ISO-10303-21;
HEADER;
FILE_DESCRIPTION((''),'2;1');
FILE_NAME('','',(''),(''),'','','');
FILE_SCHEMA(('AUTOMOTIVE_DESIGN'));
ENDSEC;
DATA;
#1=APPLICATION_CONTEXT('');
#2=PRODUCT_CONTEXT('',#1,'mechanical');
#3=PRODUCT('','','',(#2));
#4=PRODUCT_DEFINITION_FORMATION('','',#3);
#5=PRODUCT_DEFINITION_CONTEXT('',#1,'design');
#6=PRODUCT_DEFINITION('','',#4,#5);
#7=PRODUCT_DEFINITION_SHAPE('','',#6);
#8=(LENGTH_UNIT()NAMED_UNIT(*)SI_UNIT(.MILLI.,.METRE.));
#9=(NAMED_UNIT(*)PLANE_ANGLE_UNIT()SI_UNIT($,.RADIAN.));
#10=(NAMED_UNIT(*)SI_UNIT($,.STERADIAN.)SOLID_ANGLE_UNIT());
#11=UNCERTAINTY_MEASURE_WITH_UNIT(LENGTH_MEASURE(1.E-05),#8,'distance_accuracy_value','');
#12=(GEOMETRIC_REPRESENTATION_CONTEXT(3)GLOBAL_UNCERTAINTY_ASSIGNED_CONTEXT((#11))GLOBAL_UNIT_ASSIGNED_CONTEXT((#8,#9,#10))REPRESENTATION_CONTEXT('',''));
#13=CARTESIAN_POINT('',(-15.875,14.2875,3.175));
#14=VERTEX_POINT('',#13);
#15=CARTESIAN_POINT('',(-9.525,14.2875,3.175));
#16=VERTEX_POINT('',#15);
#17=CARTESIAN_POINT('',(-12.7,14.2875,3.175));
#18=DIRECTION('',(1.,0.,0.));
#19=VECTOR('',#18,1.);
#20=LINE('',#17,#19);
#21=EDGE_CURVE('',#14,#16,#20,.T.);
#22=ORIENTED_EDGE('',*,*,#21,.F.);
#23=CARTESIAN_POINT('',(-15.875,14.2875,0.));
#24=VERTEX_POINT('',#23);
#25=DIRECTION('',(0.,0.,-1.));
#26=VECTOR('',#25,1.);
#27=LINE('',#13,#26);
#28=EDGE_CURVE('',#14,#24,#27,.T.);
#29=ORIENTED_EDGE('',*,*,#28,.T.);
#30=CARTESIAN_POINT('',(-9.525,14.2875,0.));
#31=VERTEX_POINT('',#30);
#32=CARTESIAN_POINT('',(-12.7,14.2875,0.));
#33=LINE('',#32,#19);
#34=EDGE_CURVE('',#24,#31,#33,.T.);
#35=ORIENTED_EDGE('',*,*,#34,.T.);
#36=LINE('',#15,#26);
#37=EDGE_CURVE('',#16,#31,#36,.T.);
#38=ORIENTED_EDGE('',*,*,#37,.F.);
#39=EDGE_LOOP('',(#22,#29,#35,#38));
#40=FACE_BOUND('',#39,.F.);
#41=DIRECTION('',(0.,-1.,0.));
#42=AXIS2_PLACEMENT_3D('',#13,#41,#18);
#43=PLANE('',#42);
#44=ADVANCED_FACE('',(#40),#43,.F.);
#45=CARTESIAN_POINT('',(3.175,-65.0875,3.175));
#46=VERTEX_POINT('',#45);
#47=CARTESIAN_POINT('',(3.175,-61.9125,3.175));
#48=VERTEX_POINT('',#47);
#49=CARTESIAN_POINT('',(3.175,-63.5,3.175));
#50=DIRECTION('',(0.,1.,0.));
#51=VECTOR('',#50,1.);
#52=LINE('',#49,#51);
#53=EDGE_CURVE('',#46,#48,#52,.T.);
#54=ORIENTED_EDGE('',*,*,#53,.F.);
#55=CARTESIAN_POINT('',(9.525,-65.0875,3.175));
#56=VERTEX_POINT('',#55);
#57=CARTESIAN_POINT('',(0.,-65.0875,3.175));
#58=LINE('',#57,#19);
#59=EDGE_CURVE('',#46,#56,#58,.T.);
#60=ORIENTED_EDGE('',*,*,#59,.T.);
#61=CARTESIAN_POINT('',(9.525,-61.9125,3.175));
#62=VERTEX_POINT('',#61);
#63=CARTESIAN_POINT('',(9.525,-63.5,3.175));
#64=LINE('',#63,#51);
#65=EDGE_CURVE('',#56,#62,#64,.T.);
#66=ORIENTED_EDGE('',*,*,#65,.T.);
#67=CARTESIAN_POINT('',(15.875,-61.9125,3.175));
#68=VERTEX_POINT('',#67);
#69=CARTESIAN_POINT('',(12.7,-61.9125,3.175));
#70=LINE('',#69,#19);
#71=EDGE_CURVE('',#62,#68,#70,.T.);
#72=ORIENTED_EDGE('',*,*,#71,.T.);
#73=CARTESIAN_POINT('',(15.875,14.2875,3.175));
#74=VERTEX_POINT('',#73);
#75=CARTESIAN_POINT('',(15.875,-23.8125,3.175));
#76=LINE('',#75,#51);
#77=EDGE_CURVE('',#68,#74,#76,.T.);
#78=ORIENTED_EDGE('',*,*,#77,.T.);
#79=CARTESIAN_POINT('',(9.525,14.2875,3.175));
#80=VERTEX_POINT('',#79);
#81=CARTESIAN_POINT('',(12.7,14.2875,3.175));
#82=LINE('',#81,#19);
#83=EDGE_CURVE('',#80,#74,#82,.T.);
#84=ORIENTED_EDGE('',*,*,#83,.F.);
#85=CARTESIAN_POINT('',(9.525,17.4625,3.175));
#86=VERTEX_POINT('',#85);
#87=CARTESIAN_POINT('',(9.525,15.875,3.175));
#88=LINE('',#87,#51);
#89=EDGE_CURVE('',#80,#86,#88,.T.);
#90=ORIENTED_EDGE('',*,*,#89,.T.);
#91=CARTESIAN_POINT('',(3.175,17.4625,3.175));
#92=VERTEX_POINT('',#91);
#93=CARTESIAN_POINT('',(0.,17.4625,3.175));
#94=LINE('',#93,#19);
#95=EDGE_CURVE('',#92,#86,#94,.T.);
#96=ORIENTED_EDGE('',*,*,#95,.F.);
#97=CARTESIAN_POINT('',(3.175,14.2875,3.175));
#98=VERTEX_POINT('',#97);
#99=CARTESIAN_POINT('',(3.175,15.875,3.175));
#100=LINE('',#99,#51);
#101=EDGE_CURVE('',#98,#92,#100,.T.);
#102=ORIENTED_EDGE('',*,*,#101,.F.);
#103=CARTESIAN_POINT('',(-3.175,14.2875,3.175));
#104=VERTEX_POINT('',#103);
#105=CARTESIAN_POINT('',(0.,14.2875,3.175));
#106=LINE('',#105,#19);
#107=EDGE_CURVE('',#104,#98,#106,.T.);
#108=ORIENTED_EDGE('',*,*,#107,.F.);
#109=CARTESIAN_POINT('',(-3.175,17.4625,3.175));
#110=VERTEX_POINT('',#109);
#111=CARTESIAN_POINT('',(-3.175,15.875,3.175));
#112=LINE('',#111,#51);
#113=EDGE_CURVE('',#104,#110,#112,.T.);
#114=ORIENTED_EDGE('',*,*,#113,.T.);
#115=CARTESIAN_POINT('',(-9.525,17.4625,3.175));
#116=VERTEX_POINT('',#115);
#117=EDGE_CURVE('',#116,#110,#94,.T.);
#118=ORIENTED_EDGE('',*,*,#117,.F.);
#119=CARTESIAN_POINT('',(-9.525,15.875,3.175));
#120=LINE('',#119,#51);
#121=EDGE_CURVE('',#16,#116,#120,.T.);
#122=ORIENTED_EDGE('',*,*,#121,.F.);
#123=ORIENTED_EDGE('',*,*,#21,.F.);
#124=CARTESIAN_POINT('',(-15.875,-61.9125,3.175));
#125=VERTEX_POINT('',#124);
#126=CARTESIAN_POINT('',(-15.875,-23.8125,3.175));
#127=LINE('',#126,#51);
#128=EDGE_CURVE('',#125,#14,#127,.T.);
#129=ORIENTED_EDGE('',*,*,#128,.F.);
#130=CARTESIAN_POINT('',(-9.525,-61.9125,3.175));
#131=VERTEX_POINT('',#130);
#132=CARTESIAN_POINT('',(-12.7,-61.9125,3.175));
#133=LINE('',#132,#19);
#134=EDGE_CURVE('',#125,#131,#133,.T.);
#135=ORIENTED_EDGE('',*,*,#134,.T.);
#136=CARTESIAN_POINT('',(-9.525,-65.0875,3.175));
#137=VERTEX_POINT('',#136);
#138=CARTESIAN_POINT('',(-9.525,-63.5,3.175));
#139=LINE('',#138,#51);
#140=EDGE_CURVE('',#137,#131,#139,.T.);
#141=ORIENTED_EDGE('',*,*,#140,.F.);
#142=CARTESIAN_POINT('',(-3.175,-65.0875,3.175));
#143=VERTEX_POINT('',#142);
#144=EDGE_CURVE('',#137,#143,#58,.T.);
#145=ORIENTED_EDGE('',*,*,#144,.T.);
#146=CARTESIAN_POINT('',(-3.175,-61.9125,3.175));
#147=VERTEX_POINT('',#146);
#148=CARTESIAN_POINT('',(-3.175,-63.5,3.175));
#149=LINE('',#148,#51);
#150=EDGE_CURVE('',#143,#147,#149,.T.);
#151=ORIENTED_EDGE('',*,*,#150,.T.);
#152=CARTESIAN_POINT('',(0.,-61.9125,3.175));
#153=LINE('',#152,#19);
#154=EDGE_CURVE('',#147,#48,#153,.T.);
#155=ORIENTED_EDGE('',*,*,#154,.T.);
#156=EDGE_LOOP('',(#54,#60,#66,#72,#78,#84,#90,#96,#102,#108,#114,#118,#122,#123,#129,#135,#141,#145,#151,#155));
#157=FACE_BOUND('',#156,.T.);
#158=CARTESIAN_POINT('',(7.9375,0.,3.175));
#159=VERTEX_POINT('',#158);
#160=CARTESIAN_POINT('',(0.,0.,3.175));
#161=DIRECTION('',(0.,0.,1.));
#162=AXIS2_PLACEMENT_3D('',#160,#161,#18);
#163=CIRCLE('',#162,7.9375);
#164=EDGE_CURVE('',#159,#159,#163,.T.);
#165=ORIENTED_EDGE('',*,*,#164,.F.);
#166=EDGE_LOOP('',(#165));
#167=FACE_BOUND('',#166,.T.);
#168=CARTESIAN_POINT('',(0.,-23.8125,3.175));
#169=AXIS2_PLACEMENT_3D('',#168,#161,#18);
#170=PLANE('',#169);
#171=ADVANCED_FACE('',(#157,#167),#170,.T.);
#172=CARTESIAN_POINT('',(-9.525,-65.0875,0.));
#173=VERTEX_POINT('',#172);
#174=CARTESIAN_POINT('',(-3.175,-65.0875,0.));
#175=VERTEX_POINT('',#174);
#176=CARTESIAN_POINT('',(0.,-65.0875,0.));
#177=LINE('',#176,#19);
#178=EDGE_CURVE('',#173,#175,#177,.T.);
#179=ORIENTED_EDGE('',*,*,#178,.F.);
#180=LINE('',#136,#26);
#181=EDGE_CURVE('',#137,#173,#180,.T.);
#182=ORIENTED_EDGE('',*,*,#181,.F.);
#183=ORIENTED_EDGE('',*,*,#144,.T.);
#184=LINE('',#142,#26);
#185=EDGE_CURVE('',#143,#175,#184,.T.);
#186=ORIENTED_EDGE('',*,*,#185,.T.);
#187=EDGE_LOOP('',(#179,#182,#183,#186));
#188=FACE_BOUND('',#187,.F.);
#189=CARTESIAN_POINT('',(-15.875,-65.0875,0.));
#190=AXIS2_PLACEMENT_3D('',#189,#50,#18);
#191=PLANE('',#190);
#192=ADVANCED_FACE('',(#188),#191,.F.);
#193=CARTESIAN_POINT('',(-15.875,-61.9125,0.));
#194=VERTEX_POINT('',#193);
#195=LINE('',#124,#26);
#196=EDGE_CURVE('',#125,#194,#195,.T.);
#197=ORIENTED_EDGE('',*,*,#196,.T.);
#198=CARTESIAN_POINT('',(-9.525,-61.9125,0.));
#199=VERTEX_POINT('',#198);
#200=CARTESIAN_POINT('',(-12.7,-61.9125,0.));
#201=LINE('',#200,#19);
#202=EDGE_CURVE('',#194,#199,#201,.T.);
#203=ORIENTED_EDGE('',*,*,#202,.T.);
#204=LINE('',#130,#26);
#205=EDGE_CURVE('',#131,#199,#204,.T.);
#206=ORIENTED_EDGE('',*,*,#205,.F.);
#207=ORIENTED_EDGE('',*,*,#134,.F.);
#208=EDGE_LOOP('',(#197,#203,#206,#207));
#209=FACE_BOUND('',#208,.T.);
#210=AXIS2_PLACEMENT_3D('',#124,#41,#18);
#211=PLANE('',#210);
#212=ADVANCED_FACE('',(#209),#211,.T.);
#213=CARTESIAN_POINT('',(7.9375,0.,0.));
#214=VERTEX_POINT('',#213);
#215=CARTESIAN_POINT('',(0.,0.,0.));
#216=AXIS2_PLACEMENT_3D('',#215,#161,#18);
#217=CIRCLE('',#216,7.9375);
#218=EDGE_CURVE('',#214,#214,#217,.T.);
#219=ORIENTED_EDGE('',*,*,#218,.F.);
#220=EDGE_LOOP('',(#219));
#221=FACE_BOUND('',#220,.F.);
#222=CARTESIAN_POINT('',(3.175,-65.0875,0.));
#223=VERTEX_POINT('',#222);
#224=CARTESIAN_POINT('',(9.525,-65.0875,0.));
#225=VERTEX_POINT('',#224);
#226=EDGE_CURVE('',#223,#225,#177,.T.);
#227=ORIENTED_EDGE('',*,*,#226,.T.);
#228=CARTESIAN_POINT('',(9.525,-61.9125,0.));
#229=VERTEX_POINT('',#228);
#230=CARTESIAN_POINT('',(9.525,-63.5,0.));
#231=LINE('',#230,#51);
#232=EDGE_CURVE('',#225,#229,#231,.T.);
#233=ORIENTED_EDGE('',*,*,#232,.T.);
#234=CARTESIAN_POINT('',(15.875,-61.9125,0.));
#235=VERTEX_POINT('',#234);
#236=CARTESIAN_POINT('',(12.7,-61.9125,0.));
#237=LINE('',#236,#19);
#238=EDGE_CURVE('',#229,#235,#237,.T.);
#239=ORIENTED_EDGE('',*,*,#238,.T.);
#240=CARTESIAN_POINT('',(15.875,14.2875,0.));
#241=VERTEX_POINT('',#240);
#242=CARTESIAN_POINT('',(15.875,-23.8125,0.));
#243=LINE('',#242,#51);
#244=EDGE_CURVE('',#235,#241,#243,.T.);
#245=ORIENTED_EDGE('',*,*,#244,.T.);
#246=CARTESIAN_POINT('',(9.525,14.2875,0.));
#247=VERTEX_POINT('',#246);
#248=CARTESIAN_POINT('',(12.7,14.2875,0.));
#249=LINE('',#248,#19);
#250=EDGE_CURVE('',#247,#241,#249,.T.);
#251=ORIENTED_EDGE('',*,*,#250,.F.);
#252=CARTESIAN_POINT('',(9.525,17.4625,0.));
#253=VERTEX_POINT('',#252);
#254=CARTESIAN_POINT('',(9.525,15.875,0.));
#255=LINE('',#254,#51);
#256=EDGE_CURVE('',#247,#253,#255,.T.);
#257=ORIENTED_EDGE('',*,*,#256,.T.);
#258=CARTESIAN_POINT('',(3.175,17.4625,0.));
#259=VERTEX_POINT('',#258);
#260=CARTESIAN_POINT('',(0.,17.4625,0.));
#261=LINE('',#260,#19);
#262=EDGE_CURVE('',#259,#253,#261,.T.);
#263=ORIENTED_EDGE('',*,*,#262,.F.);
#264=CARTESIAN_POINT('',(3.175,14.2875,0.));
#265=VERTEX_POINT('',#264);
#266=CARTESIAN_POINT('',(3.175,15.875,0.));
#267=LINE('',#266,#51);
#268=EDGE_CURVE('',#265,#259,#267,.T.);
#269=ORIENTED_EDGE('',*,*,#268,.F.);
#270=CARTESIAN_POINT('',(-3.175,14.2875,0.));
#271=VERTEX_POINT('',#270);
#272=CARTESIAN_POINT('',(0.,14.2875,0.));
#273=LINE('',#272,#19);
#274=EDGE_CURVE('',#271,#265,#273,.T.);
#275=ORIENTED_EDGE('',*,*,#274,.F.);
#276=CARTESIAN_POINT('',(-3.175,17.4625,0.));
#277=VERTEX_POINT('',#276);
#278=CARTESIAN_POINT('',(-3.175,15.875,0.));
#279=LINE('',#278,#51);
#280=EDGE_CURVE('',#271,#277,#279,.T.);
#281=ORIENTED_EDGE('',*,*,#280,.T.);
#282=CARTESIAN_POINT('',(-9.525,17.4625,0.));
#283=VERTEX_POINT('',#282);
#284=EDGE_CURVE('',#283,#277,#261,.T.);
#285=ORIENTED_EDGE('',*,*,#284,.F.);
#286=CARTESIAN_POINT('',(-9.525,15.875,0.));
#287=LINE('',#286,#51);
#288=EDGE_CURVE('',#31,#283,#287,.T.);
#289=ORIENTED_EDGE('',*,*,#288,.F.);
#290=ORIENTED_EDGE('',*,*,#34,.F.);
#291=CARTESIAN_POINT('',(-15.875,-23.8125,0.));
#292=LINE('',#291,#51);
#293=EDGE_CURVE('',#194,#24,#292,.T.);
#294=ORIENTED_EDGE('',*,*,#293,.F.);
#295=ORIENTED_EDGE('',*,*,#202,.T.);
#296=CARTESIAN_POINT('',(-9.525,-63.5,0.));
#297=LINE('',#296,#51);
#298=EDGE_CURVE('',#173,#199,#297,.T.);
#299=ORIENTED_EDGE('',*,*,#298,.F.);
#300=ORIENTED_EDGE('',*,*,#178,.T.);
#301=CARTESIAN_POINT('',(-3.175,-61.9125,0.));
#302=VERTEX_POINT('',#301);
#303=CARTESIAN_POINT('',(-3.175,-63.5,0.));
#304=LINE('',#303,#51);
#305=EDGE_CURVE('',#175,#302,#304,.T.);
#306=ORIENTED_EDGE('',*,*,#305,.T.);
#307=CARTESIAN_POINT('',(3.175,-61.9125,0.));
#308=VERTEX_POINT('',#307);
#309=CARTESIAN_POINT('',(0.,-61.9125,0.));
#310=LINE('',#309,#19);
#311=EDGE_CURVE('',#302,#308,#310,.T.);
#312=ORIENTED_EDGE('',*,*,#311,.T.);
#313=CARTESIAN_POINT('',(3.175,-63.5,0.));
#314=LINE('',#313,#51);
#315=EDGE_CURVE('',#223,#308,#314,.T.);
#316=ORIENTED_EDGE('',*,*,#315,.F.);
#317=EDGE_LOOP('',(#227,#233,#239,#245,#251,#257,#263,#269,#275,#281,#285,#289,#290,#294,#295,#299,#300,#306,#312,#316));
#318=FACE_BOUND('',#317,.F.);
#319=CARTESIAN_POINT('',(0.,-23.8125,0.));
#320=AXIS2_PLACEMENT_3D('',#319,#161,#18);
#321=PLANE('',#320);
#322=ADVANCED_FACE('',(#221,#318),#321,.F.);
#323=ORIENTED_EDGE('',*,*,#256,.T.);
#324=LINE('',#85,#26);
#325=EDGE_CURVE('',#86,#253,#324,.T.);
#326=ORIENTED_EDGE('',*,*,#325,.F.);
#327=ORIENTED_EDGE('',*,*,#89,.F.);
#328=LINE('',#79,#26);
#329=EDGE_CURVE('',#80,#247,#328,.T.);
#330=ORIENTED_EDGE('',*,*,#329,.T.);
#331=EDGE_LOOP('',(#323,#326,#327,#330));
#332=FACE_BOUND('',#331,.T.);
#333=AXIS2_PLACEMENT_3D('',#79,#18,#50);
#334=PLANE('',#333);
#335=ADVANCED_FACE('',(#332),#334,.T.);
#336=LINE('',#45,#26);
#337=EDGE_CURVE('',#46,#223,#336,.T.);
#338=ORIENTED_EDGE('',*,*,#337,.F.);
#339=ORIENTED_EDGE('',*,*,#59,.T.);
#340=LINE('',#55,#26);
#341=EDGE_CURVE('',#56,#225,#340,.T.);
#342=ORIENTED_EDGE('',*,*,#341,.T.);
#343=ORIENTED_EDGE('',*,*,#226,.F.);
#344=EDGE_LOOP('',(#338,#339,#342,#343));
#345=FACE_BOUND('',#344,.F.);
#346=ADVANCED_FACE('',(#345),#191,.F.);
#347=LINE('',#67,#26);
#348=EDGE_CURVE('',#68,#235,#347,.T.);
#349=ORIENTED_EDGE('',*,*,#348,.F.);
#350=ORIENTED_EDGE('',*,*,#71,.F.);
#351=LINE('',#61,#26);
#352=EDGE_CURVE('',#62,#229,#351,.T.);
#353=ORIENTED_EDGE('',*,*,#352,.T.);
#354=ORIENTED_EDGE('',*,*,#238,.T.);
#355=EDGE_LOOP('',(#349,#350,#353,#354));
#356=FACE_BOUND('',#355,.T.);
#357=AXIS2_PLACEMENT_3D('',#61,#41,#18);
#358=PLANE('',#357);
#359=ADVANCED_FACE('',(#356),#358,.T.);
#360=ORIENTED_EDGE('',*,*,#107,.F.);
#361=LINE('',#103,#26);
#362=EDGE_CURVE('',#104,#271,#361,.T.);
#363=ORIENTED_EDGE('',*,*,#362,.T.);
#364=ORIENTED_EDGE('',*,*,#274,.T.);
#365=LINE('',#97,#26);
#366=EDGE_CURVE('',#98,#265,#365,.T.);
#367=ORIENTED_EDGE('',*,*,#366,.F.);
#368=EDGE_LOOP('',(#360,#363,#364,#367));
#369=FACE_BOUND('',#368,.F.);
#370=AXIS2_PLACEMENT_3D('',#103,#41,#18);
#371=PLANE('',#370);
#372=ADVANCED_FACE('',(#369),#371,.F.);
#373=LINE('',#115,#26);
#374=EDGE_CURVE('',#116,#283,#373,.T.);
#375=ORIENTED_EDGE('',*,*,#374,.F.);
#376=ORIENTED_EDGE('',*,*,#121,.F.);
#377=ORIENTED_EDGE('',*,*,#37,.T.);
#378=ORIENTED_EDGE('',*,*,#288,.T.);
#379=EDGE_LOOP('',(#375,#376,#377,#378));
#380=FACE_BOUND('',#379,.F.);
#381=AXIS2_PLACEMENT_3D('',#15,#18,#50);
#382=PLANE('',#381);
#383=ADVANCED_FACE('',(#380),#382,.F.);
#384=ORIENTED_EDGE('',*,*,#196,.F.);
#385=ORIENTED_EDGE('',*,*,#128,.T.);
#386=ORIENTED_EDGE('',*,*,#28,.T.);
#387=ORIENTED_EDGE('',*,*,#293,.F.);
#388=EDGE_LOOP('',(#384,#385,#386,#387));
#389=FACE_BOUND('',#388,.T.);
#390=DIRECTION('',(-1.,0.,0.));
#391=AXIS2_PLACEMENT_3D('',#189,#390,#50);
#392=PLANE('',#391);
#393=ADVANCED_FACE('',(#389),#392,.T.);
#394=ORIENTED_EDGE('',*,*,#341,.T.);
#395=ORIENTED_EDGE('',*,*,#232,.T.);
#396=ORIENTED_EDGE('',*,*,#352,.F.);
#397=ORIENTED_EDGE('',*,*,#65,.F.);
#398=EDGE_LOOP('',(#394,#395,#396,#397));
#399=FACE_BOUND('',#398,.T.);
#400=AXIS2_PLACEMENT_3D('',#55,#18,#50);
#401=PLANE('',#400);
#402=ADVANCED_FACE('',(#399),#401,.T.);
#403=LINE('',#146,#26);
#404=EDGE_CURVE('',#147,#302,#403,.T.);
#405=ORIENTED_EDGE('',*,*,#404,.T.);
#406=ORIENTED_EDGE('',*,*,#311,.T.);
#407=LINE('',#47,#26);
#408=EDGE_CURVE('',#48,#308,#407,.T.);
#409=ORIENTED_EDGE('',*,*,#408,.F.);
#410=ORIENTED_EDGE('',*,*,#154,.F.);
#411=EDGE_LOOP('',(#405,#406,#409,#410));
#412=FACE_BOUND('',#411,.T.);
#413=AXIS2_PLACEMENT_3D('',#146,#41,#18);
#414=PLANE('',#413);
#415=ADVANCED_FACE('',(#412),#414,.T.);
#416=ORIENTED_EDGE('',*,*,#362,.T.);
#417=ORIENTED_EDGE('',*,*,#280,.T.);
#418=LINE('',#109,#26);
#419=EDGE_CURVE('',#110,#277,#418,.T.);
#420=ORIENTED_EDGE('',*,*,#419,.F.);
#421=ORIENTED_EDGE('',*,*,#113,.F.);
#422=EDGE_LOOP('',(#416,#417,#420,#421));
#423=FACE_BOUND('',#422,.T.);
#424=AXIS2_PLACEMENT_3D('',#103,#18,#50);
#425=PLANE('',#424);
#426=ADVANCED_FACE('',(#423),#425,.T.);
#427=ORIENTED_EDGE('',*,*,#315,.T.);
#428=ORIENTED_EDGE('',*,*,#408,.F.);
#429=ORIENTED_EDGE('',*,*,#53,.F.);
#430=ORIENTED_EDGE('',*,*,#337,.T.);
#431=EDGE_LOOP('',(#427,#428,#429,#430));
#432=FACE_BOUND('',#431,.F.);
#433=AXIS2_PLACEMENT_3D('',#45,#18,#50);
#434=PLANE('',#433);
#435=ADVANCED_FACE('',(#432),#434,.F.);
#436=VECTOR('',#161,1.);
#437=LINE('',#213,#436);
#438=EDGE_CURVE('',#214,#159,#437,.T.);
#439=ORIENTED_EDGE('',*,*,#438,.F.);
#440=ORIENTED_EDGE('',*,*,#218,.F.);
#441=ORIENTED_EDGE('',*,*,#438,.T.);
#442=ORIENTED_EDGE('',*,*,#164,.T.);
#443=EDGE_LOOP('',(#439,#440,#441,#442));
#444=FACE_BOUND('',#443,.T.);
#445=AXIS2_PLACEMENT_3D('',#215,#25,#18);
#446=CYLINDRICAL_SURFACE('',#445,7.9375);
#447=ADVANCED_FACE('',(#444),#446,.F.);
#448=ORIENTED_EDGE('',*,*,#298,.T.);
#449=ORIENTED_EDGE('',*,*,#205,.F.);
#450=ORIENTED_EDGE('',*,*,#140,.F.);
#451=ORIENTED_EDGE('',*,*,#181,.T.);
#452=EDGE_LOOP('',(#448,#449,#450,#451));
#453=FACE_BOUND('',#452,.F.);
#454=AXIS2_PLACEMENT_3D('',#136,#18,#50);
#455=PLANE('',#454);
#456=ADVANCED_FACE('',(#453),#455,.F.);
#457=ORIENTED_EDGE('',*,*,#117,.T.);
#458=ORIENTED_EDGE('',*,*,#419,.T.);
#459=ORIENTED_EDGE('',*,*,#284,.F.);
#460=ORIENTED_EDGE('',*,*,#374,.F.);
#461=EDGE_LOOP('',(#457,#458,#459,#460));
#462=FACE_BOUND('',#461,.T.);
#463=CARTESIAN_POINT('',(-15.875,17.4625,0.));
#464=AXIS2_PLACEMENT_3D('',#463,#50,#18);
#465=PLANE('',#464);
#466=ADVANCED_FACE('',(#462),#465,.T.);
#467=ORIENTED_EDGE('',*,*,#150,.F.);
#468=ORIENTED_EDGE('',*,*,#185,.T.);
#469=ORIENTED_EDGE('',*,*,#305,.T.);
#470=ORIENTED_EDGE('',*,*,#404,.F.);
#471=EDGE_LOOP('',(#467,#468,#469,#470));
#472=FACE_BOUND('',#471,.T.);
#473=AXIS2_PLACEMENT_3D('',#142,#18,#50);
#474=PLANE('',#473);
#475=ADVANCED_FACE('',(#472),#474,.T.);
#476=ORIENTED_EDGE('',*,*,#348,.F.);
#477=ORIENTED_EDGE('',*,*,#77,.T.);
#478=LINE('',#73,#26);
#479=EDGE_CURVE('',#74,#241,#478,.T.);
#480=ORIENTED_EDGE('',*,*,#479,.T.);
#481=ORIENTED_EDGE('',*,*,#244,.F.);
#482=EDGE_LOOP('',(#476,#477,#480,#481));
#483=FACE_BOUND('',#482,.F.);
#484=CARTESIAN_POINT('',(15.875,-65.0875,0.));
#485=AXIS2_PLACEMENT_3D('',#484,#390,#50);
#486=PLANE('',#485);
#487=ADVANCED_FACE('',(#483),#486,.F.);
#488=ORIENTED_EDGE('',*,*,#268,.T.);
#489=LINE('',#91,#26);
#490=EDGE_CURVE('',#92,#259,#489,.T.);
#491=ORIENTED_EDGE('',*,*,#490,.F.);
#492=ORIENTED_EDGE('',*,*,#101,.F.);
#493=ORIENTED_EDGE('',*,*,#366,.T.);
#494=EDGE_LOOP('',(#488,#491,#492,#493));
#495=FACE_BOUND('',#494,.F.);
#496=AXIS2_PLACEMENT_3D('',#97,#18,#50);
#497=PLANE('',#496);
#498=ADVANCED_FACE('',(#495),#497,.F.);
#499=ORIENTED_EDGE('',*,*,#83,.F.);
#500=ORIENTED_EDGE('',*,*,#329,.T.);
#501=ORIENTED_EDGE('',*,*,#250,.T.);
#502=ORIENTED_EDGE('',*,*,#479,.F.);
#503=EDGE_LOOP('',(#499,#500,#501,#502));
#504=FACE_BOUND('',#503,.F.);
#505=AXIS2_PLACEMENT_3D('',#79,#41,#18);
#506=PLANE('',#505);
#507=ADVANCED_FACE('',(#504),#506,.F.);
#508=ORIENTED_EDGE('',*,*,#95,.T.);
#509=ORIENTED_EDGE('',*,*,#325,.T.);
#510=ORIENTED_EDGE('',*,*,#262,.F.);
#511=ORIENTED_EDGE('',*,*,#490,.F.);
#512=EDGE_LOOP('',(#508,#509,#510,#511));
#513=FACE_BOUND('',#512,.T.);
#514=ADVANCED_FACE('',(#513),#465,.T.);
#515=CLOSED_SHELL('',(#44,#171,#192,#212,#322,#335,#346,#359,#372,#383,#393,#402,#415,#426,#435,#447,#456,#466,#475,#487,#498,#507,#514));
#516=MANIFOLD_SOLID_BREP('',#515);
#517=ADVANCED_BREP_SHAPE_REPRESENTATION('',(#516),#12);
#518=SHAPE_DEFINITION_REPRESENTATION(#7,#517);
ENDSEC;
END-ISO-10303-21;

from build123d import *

# Parameters (mm, degrees)
F0_W     = 31.75
F0_H     = 82.55
F0_R     = 7.9375
F1_DEPTH = 3.175
F2_W     = 6.35
F2_H     = 3.175
F3_DEPTH = 3.175


with BuildPart() as f1:
    # F0 (on Top) → F1 (new body)
    with BuildSketch(Plane.XY):
        with Locations((0, -23.8125)):
            Rectangle(F0_W, F0_H)
        Circle(F0_R, mode=Mode.SUBTRACT)
    extrude(amount=F1_DEPTH)

    # F2 (on face) → F3 (cut, through all)
    with BuildSketch(Plane.XY.offset(3.175)):
        with Locations((-12.7, 15.875)):
            Rectangle(F2_W, F2_H)
        with Locations((0, 15.875)):
            Rectangle(F2_W, F2_H)
        with Locations((12.7, 15.875)):
            Rectangle(F2_W, F2_H)
        with Locations((-12.7, -63.5)):
            Rectangle(F2_W, F2_H)
        with Locations((12.7, -63.5)):
            Rectangle(F2_W, F2_H)
        with Locations((0, -63.5)):
            Rectangle(F2_W, F2_H)
    extrude(amount=-F3_DEPTH, mode=Mode.SUBTRACT)


solid = f1.part
